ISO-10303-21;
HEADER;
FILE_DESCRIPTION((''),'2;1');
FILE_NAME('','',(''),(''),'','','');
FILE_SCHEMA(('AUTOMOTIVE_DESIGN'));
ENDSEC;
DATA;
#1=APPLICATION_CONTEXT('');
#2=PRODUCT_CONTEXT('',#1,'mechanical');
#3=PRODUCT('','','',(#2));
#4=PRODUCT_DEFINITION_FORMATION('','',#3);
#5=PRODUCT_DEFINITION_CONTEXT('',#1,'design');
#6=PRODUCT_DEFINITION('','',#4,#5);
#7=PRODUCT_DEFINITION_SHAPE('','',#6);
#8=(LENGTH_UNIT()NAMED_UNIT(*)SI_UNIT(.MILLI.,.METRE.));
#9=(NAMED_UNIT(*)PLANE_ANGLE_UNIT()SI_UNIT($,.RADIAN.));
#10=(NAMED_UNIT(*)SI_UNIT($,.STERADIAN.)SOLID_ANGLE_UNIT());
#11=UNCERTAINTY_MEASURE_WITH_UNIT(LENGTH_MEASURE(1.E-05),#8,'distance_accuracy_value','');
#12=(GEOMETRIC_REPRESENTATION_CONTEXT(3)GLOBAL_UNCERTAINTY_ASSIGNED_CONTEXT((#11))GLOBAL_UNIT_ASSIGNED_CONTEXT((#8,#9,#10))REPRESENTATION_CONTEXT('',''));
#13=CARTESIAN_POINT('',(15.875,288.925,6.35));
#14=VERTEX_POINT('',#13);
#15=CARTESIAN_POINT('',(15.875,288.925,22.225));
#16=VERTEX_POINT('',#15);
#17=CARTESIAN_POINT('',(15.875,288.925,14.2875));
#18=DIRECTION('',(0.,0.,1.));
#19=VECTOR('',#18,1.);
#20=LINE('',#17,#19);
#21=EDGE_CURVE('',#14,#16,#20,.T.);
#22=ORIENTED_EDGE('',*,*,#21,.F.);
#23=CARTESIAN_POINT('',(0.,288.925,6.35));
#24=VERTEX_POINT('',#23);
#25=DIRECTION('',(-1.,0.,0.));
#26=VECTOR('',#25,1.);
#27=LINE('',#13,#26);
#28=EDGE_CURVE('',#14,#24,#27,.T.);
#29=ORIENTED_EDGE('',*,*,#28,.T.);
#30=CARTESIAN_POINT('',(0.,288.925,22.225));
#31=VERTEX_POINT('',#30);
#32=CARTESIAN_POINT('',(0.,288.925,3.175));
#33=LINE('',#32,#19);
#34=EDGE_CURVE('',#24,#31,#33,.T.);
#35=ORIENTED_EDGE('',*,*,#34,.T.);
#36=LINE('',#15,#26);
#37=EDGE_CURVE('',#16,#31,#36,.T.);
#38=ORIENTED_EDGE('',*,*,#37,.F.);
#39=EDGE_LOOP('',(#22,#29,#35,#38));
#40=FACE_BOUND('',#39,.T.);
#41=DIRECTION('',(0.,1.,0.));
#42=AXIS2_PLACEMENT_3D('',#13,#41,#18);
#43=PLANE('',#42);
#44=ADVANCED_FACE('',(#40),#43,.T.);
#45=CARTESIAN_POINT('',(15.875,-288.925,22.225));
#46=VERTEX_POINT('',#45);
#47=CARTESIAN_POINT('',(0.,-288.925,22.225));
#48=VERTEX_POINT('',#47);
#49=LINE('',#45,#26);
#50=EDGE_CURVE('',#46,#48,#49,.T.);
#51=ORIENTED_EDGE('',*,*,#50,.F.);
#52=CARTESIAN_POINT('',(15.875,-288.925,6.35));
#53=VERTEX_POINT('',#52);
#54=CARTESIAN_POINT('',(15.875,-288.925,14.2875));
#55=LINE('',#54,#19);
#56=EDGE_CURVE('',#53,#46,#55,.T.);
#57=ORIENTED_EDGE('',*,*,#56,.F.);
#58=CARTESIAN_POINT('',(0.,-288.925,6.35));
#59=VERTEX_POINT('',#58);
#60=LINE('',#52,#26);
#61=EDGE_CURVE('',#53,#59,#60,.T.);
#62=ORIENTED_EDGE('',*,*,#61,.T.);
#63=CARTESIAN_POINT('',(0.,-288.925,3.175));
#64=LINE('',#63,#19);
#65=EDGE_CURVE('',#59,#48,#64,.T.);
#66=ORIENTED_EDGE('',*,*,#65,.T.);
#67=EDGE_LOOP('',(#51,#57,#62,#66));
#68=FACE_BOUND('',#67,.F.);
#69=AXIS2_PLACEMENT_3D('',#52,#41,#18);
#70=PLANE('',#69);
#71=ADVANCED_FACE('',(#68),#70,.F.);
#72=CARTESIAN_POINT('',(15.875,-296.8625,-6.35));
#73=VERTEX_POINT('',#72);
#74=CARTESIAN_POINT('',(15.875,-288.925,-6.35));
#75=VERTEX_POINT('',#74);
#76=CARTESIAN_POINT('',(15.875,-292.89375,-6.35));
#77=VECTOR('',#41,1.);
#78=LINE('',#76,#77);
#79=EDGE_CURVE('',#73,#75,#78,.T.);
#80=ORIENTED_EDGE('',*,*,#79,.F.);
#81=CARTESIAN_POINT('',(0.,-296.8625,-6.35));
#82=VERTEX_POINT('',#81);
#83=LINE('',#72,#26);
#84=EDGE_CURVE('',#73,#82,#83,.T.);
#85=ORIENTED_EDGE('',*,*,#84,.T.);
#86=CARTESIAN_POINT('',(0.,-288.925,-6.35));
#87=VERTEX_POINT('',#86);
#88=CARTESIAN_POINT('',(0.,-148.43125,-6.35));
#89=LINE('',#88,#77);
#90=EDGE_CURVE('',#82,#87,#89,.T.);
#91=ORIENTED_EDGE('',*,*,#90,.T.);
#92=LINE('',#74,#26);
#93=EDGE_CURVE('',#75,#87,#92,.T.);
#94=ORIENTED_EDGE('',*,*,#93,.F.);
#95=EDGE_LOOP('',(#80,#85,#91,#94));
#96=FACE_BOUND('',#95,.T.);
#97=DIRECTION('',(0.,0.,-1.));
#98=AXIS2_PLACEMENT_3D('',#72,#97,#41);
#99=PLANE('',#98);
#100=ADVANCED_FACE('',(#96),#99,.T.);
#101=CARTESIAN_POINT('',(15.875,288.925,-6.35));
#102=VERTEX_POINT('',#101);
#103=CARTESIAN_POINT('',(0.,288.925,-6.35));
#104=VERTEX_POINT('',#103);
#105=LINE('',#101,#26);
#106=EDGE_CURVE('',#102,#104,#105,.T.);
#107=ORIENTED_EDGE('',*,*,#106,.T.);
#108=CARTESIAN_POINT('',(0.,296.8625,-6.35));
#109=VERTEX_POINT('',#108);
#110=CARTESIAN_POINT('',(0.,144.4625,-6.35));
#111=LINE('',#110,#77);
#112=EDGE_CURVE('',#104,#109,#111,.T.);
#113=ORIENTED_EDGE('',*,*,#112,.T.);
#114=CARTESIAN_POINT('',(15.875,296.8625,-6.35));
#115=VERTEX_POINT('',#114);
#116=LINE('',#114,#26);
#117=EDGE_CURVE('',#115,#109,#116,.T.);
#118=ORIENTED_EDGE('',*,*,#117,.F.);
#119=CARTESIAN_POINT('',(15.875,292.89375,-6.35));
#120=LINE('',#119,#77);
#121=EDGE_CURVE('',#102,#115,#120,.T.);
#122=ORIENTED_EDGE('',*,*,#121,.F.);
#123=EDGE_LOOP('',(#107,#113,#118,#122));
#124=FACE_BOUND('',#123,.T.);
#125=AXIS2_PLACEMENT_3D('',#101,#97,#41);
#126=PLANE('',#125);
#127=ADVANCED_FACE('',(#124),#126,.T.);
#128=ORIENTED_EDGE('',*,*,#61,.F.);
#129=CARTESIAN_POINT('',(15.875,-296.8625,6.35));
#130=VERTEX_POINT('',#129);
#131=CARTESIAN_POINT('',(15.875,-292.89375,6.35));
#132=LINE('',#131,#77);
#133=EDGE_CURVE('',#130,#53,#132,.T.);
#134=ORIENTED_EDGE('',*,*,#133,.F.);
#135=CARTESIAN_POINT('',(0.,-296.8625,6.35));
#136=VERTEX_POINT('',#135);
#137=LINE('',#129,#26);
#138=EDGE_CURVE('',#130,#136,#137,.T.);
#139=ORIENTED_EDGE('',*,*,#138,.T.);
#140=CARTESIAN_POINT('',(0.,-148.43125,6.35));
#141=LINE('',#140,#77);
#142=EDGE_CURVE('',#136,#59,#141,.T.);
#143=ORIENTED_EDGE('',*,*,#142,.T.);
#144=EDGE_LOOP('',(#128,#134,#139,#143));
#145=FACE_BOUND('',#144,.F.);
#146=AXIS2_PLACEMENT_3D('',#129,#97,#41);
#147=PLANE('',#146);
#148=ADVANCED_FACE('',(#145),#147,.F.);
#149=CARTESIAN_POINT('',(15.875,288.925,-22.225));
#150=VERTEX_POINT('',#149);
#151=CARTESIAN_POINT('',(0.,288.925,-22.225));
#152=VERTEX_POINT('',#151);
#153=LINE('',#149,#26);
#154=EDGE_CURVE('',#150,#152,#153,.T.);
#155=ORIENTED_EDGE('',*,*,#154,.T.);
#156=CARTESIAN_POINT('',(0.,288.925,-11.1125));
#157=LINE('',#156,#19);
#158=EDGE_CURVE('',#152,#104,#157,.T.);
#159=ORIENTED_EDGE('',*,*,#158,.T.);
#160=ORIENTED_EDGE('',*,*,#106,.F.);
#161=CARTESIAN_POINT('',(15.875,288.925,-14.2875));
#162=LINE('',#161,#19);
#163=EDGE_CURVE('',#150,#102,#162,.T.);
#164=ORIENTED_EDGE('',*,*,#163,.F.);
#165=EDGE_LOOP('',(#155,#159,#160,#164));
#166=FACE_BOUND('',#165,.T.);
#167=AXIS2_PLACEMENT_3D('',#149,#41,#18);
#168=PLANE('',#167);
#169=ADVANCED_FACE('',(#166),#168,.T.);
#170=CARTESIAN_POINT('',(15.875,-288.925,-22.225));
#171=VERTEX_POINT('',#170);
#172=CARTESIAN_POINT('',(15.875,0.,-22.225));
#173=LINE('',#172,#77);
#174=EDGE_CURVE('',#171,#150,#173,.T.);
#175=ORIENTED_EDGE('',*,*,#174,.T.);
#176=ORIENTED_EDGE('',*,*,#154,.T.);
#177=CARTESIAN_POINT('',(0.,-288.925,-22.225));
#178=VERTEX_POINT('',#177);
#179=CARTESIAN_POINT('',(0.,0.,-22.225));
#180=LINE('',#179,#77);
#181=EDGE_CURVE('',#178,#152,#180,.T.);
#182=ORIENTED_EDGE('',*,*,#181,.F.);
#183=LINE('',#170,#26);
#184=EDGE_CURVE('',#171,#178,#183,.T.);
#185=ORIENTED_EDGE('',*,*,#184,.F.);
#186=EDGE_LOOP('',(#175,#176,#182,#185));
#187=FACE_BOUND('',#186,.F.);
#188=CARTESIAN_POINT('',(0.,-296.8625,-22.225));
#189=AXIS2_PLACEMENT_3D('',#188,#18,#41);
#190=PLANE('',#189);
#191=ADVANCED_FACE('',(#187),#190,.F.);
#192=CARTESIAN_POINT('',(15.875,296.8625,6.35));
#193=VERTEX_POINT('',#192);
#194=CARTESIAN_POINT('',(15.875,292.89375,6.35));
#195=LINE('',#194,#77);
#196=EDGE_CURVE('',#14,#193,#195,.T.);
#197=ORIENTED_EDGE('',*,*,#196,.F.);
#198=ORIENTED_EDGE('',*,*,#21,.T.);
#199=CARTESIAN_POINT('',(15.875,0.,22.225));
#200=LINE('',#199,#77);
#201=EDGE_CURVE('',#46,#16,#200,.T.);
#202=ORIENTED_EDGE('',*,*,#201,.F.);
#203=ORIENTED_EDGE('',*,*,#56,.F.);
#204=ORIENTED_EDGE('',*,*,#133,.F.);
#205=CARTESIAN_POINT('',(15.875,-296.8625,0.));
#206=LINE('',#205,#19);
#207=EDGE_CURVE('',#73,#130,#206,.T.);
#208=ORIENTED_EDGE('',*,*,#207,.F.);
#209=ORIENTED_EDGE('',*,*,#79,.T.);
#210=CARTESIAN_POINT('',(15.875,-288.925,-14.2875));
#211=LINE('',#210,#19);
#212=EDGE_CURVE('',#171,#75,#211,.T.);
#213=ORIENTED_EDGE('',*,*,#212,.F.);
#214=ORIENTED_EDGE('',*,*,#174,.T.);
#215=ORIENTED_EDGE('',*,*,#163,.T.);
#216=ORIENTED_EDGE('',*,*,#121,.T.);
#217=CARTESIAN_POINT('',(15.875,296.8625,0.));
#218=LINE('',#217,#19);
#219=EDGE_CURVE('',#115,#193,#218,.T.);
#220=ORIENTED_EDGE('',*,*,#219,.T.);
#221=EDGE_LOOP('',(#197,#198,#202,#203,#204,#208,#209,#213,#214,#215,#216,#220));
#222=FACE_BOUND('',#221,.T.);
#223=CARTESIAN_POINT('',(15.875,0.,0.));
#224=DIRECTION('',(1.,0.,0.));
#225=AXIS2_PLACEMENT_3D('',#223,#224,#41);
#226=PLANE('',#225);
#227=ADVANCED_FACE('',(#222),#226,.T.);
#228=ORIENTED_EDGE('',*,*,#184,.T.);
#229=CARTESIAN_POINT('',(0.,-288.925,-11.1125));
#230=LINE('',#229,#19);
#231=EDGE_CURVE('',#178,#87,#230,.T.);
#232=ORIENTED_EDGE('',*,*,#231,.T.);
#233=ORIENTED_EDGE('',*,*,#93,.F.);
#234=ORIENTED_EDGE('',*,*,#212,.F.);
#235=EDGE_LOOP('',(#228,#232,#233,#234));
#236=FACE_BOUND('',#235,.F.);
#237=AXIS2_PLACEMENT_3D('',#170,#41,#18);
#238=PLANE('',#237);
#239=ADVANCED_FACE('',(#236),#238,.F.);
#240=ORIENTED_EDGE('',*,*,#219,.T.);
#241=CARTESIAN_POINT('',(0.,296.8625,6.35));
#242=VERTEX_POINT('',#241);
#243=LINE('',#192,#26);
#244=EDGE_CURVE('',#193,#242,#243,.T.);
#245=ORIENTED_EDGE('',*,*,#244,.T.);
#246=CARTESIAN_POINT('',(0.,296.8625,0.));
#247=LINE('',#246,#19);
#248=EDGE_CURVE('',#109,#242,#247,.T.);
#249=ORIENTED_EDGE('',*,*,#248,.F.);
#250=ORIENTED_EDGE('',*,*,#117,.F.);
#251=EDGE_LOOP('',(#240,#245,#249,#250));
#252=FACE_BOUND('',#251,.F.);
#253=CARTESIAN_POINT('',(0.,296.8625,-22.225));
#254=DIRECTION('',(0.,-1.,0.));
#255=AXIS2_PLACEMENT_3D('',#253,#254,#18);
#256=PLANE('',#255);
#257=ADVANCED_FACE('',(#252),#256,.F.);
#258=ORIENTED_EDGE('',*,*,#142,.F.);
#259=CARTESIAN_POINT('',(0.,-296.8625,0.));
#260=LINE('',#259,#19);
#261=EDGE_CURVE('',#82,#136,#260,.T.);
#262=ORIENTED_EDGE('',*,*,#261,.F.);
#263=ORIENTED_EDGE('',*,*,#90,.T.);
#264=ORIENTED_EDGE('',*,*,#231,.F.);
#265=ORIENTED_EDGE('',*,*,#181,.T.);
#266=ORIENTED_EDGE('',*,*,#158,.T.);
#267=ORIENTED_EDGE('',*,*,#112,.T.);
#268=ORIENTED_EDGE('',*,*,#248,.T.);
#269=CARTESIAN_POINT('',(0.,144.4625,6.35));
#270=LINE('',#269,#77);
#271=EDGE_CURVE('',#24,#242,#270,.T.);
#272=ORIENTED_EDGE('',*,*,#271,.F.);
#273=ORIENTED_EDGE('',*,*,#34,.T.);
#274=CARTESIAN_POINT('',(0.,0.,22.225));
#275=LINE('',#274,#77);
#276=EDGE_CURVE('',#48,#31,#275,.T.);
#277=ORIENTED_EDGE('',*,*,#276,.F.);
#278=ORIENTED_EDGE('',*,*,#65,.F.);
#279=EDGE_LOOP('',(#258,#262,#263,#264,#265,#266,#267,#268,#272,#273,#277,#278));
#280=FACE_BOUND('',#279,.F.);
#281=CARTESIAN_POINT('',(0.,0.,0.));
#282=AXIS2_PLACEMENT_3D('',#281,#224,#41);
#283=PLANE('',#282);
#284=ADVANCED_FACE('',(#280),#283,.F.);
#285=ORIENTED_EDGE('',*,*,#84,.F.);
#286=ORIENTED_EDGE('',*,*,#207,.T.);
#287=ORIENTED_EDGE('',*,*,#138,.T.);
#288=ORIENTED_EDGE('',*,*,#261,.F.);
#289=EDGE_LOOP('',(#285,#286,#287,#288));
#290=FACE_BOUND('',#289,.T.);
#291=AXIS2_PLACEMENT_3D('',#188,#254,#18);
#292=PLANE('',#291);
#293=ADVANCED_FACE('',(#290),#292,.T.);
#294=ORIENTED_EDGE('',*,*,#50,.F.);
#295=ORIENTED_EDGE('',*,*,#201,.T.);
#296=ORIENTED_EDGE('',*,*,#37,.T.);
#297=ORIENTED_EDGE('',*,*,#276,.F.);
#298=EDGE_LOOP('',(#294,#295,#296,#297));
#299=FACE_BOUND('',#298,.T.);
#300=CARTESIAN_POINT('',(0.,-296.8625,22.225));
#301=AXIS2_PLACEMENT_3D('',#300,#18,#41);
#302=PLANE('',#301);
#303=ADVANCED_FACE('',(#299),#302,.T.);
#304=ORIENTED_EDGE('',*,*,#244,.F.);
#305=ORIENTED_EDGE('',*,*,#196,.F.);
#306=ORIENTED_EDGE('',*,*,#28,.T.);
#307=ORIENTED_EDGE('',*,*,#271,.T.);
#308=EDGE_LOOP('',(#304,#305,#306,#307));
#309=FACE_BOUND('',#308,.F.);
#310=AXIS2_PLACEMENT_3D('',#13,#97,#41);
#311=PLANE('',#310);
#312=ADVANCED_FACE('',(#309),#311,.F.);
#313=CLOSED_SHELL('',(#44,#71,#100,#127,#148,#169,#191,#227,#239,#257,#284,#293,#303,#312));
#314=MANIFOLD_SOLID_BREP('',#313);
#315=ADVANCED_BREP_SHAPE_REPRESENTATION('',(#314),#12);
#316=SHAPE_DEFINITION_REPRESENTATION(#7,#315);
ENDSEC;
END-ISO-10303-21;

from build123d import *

# Parameters (mm, degrees)
F0_W     = 593.725
F0_H     = 44.45
F1_DEPTH = 15.875
F2_W     = 7.9375
F2_H     = 15.875
F3_DEPTH = 25.4


with BuildPart() as f1:
    # F0 (on Right) → F1 (new body)
    with BuildSketch(Plane.YZ):
        Rectangle(F0_W, F0_H)
    extrude(amount=F1_DEPTH)

    # F2 (on face) → F3 (cut)
    with BuildSketch(Plane.YZ.offset(15.875)):
        with Locations((-292.89375, 14.2875)):
            Rectangle(F2_W, F2_H)
        with Locations((-292.89375, -14.2875)):
            Rectangle(F2_W, F2_H)
        with Locations((292.89375, 14.2875)):
            Rectangle(F2_W, F2_H)
        with Locations((292.89375, -14.2875)):
            Rectangle(F2_W, F2_H)
    extrude(amount=-F3_DEPTH, mode=Mode.SUBTRACT)


solid = f1.part
